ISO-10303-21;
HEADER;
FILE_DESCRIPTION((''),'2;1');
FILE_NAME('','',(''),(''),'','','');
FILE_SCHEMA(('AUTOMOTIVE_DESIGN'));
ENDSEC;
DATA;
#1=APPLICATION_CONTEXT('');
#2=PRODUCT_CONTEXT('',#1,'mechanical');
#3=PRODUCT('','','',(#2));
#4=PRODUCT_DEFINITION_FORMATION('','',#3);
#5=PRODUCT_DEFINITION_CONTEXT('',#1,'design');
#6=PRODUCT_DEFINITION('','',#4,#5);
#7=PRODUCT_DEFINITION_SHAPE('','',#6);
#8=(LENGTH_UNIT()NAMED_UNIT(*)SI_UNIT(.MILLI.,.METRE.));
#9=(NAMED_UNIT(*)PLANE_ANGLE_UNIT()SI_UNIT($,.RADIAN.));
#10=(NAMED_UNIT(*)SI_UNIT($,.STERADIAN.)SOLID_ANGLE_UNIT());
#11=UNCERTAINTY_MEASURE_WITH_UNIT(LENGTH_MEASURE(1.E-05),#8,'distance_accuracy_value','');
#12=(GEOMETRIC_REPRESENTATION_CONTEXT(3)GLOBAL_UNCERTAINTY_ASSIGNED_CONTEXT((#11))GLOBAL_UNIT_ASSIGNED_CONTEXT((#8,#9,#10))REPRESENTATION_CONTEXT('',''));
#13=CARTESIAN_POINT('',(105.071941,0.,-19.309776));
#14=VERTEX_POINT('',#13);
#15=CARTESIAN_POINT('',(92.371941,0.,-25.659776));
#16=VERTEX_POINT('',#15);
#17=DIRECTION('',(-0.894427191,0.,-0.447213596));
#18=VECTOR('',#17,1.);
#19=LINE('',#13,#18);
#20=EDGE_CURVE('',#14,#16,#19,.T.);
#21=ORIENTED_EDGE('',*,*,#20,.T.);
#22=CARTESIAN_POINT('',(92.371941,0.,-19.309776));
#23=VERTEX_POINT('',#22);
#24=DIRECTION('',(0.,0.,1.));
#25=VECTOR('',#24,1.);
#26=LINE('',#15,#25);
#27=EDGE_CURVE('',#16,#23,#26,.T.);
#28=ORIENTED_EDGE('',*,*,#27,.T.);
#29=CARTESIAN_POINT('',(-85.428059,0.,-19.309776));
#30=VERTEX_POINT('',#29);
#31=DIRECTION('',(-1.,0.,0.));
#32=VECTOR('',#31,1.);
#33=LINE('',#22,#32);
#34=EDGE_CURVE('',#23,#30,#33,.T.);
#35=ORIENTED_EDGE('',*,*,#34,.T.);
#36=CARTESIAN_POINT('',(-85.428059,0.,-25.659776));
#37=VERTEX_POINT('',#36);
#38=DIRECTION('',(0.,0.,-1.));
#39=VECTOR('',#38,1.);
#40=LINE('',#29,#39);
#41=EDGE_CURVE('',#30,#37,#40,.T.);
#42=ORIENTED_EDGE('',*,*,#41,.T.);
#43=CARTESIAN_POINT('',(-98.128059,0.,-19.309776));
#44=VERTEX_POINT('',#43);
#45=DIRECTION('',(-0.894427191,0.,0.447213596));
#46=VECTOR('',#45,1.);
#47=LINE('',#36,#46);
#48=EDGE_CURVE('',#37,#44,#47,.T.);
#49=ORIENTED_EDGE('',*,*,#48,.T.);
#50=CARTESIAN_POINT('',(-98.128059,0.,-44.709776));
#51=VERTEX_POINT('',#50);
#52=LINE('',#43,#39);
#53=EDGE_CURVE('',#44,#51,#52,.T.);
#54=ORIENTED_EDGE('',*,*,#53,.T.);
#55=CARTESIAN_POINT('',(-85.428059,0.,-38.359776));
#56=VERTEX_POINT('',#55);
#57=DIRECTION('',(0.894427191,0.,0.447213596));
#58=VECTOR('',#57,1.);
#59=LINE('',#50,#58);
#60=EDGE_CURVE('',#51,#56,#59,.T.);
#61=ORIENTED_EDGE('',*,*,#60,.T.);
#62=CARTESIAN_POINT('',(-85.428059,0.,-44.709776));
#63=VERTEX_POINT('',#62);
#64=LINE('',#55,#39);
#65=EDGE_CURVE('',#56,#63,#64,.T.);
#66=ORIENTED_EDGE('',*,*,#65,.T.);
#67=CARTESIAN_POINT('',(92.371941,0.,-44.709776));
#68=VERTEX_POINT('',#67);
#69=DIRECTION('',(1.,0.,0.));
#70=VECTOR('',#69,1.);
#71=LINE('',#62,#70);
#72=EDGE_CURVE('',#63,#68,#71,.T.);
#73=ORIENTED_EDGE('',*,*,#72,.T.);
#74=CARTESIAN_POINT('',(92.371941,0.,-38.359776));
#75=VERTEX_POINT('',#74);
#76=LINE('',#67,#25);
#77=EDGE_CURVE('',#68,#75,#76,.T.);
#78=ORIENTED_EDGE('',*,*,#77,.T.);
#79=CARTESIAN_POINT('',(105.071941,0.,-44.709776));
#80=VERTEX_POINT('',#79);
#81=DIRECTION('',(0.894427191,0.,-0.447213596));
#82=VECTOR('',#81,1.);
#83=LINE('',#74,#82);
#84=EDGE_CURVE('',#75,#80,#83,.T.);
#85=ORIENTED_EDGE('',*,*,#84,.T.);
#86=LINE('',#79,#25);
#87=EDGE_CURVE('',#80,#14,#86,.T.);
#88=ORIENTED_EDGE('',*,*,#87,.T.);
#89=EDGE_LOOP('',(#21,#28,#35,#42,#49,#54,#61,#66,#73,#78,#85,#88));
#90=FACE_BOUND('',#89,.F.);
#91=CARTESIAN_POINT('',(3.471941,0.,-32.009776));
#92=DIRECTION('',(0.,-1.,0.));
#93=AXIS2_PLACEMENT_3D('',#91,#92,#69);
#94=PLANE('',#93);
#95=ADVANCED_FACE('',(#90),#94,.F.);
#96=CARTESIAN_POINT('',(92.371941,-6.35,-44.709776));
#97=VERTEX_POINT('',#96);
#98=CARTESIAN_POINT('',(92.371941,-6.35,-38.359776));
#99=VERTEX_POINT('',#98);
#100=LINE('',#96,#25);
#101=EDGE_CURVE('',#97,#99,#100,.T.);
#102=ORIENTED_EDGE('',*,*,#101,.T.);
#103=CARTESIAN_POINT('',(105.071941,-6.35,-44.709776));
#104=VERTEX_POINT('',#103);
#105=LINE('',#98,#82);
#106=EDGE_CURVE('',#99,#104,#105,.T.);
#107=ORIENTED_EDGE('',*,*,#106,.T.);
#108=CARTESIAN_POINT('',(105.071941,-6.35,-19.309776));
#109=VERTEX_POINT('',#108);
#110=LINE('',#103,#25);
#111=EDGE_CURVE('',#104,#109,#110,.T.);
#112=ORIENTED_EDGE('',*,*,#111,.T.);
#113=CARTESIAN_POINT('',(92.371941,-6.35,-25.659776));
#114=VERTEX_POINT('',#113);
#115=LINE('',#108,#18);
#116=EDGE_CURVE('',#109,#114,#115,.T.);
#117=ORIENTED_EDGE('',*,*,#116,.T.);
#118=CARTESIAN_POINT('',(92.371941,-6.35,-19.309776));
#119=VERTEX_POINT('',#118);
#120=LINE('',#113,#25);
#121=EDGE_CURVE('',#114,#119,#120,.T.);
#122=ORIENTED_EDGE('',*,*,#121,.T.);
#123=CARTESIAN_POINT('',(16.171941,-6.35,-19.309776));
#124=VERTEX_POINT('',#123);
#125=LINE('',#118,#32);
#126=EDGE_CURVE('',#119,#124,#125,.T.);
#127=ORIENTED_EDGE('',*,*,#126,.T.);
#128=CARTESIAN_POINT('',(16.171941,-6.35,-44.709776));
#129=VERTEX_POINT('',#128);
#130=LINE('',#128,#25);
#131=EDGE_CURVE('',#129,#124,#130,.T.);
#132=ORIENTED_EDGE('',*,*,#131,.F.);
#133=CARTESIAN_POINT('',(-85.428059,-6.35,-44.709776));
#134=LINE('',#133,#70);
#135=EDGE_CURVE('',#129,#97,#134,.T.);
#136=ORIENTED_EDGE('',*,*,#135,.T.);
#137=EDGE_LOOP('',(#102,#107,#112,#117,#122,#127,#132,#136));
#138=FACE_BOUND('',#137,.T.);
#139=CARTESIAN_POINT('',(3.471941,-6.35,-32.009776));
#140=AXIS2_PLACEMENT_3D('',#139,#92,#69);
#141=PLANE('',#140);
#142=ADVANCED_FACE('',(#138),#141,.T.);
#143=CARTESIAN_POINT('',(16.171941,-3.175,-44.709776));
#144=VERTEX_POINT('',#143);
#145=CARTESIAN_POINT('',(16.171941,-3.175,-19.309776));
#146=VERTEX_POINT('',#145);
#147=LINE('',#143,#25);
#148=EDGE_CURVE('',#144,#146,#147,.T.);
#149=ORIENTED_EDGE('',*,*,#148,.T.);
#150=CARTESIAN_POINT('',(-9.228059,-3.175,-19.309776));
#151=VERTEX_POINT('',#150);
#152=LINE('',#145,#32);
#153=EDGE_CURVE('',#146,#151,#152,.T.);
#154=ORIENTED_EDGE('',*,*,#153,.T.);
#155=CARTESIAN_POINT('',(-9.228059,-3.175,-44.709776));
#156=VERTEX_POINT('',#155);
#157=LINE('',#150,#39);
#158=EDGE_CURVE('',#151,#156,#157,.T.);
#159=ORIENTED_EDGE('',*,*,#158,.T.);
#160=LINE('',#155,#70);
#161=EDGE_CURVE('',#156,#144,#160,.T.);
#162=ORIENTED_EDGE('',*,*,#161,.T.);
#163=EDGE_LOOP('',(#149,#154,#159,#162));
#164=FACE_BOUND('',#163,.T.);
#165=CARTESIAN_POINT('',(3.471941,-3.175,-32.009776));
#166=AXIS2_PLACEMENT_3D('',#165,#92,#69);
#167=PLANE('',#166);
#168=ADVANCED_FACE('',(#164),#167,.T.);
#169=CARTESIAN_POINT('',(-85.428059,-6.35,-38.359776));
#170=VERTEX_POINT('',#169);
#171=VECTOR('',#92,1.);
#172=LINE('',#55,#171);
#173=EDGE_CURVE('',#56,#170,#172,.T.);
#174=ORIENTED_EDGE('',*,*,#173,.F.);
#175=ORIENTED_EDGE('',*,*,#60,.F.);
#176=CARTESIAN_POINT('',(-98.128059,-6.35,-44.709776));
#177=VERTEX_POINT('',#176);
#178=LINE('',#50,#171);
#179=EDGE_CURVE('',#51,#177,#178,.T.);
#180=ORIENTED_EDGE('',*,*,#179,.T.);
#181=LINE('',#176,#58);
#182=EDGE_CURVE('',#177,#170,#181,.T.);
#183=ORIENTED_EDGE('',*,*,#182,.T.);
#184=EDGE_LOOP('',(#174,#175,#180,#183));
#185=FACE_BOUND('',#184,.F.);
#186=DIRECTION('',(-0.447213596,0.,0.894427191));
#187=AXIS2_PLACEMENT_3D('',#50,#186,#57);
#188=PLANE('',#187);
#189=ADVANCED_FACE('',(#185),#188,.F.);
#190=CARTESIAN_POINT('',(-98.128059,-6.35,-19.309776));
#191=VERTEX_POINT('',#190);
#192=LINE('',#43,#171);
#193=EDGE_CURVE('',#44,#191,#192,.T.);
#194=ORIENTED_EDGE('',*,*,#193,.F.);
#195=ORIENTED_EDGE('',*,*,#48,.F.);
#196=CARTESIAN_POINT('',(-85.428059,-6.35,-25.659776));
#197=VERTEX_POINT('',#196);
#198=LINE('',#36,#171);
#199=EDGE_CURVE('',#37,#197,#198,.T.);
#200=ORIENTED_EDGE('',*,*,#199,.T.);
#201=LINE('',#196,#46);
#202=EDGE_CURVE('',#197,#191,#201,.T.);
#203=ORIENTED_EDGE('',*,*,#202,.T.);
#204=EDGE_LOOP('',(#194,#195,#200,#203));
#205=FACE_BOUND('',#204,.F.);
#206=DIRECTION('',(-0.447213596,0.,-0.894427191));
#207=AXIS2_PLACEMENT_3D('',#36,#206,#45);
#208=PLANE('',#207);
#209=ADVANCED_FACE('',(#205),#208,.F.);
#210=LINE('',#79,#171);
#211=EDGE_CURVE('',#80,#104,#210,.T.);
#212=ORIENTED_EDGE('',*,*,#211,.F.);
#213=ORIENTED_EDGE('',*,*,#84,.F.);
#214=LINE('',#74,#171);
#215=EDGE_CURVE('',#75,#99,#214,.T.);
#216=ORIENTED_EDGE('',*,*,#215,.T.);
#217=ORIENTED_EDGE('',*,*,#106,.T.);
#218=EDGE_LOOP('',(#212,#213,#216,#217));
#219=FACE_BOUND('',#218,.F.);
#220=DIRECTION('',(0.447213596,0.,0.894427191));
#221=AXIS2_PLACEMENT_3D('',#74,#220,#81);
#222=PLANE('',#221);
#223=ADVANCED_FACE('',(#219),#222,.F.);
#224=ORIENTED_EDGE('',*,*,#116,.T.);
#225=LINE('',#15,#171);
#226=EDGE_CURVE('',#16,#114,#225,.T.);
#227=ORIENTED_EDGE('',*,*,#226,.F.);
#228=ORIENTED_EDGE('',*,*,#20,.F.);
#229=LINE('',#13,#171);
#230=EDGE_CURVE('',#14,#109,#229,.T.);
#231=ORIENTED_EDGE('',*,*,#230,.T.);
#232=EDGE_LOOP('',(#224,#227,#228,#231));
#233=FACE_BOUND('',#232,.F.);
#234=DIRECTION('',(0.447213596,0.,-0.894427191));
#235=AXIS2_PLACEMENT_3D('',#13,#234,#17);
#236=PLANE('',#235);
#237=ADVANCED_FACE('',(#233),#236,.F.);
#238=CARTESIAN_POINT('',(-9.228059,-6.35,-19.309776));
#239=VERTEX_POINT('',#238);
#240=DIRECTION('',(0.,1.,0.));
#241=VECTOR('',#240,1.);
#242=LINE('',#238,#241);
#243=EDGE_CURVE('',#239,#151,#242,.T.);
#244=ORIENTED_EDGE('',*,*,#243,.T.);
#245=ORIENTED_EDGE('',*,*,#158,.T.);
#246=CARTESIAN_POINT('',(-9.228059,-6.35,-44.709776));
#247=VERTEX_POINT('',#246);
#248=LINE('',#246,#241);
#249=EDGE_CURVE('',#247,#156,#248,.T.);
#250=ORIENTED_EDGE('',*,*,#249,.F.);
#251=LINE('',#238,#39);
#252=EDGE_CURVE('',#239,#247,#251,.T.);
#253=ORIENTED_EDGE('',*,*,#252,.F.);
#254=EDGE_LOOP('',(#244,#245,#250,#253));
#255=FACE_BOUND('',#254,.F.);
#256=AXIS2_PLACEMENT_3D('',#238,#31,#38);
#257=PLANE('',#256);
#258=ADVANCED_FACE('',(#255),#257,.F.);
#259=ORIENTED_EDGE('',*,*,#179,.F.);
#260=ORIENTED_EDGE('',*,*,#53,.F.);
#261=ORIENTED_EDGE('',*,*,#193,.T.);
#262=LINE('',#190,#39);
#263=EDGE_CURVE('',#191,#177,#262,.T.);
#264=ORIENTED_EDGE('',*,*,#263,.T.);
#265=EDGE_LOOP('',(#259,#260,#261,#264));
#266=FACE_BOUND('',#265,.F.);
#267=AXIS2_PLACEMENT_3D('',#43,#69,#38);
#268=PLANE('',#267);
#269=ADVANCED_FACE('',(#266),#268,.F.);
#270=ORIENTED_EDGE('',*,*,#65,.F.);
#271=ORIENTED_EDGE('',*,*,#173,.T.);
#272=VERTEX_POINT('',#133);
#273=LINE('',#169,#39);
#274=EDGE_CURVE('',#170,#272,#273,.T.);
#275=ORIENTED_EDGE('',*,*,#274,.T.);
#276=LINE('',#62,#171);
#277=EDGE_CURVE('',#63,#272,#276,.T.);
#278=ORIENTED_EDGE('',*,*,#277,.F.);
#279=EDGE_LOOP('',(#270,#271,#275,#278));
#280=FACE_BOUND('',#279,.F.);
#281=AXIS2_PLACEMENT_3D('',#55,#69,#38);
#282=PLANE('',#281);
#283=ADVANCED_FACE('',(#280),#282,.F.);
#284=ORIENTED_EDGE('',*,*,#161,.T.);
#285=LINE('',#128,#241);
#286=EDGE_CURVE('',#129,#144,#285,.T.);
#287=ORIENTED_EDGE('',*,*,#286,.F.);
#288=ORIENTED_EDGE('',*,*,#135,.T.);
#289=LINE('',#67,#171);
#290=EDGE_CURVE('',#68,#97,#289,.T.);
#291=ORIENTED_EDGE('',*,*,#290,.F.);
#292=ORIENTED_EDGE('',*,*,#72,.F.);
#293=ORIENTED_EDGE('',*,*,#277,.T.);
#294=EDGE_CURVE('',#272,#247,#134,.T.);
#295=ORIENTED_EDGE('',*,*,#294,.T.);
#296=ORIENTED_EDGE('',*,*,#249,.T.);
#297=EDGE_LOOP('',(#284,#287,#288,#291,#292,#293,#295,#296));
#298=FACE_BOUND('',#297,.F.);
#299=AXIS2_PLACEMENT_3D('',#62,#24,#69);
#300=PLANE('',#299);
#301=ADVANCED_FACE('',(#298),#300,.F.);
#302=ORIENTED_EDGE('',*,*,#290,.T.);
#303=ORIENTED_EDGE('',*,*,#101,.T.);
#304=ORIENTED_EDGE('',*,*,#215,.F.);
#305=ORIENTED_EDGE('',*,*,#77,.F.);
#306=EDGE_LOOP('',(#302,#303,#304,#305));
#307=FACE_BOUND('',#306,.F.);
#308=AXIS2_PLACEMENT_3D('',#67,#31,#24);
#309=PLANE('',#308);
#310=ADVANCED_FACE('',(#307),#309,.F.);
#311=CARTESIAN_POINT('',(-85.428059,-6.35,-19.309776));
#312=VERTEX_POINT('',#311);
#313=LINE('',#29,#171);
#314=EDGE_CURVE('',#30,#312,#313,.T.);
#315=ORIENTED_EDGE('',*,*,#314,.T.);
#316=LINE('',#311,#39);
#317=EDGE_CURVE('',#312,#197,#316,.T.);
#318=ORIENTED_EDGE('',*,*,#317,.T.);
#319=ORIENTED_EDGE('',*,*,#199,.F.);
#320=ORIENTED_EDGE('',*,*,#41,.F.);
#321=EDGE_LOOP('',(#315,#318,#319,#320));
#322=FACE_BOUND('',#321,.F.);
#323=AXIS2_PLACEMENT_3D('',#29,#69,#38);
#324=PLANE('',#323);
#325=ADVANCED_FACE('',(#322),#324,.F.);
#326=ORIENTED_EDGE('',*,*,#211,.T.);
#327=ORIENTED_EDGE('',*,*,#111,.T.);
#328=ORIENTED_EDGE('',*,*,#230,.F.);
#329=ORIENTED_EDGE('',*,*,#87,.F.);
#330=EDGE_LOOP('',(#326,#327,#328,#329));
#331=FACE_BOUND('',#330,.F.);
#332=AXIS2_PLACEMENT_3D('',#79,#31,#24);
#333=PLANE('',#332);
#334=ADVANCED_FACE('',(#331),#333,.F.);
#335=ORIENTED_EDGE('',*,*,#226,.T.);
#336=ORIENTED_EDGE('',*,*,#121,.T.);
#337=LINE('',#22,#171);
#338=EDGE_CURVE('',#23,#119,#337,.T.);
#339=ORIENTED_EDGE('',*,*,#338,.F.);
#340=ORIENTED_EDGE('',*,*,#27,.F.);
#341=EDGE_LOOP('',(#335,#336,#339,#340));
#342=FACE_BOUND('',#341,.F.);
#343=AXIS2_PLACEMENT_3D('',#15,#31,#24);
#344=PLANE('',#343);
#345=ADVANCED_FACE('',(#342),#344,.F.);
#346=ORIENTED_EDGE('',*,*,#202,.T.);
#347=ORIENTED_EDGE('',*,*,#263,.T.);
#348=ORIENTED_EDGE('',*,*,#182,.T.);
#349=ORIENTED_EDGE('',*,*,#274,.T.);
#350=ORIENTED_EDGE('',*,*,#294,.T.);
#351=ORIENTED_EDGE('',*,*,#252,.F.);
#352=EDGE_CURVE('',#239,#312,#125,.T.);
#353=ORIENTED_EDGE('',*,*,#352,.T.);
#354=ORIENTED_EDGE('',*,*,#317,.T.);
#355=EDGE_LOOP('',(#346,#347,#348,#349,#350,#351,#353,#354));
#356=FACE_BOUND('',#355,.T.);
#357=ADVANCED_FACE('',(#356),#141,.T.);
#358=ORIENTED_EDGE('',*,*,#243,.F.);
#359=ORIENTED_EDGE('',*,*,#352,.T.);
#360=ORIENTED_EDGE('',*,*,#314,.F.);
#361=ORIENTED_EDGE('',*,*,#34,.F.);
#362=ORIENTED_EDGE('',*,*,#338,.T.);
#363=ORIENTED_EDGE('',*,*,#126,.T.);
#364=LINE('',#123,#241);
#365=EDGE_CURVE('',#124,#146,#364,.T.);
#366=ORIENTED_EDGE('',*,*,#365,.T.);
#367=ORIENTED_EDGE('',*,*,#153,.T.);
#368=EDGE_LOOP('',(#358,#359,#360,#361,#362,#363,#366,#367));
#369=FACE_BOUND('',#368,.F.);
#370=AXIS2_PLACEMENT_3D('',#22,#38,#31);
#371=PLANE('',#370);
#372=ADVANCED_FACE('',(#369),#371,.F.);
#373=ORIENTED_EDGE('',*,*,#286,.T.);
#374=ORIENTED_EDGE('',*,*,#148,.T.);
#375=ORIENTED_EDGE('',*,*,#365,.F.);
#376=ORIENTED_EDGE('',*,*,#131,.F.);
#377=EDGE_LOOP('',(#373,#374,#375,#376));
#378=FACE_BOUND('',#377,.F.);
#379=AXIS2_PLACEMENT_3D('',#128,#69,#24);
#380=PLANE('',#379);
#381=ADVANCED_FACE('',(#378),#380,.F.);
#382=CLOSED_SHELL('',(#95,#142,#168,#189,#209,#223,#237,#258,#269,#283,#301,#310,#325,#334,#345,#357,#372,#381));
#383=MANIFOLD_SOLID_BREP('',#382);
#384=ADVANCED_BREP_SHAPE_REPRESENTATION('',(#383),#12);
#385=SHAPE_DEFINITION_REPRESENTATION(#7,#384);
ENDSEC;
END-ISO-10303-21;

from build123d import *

# Parameters (mm, degrees)
F1_DEPTH = 6.35
F3_DEPTH = 3.175


with BuildPart() as f1:
    # F0 (on Front) → F1 (new body)
    with BuildSketch(Plane.XZ):
        Polygon((-85.428059, -25.659776), (-98.128059, -19.309776), (-98.128059, -44.709776), (-85.428059, -38.359776), (-85.428059, -44.709776), (92.371941, -44.709776), (92.371941, -38.359776), (105.071941, -44.709776), (105.071941, -19.309776), (92.371941, -25.659776), (92.371941, -19.309776), (-85.428059, -19.309776), align=None)
    extrude(amount=F1_DEPTH)

    # F2 (on face) → F3 (cut)
    with BuildSketch(Plane.XZ.offset(6.35)):
        Polygon((16.171941, -19.309776), (-9.228059, -19.309776), (-9.228059, -32.009776), (-9.228059, -44.709776), (16.171941, -44.709776), (16.171941, -32.009776), align=None)
    extrude(amount=-F3_DEPTH, mode=Mode.SUBTRACT)


solid = f1.part
